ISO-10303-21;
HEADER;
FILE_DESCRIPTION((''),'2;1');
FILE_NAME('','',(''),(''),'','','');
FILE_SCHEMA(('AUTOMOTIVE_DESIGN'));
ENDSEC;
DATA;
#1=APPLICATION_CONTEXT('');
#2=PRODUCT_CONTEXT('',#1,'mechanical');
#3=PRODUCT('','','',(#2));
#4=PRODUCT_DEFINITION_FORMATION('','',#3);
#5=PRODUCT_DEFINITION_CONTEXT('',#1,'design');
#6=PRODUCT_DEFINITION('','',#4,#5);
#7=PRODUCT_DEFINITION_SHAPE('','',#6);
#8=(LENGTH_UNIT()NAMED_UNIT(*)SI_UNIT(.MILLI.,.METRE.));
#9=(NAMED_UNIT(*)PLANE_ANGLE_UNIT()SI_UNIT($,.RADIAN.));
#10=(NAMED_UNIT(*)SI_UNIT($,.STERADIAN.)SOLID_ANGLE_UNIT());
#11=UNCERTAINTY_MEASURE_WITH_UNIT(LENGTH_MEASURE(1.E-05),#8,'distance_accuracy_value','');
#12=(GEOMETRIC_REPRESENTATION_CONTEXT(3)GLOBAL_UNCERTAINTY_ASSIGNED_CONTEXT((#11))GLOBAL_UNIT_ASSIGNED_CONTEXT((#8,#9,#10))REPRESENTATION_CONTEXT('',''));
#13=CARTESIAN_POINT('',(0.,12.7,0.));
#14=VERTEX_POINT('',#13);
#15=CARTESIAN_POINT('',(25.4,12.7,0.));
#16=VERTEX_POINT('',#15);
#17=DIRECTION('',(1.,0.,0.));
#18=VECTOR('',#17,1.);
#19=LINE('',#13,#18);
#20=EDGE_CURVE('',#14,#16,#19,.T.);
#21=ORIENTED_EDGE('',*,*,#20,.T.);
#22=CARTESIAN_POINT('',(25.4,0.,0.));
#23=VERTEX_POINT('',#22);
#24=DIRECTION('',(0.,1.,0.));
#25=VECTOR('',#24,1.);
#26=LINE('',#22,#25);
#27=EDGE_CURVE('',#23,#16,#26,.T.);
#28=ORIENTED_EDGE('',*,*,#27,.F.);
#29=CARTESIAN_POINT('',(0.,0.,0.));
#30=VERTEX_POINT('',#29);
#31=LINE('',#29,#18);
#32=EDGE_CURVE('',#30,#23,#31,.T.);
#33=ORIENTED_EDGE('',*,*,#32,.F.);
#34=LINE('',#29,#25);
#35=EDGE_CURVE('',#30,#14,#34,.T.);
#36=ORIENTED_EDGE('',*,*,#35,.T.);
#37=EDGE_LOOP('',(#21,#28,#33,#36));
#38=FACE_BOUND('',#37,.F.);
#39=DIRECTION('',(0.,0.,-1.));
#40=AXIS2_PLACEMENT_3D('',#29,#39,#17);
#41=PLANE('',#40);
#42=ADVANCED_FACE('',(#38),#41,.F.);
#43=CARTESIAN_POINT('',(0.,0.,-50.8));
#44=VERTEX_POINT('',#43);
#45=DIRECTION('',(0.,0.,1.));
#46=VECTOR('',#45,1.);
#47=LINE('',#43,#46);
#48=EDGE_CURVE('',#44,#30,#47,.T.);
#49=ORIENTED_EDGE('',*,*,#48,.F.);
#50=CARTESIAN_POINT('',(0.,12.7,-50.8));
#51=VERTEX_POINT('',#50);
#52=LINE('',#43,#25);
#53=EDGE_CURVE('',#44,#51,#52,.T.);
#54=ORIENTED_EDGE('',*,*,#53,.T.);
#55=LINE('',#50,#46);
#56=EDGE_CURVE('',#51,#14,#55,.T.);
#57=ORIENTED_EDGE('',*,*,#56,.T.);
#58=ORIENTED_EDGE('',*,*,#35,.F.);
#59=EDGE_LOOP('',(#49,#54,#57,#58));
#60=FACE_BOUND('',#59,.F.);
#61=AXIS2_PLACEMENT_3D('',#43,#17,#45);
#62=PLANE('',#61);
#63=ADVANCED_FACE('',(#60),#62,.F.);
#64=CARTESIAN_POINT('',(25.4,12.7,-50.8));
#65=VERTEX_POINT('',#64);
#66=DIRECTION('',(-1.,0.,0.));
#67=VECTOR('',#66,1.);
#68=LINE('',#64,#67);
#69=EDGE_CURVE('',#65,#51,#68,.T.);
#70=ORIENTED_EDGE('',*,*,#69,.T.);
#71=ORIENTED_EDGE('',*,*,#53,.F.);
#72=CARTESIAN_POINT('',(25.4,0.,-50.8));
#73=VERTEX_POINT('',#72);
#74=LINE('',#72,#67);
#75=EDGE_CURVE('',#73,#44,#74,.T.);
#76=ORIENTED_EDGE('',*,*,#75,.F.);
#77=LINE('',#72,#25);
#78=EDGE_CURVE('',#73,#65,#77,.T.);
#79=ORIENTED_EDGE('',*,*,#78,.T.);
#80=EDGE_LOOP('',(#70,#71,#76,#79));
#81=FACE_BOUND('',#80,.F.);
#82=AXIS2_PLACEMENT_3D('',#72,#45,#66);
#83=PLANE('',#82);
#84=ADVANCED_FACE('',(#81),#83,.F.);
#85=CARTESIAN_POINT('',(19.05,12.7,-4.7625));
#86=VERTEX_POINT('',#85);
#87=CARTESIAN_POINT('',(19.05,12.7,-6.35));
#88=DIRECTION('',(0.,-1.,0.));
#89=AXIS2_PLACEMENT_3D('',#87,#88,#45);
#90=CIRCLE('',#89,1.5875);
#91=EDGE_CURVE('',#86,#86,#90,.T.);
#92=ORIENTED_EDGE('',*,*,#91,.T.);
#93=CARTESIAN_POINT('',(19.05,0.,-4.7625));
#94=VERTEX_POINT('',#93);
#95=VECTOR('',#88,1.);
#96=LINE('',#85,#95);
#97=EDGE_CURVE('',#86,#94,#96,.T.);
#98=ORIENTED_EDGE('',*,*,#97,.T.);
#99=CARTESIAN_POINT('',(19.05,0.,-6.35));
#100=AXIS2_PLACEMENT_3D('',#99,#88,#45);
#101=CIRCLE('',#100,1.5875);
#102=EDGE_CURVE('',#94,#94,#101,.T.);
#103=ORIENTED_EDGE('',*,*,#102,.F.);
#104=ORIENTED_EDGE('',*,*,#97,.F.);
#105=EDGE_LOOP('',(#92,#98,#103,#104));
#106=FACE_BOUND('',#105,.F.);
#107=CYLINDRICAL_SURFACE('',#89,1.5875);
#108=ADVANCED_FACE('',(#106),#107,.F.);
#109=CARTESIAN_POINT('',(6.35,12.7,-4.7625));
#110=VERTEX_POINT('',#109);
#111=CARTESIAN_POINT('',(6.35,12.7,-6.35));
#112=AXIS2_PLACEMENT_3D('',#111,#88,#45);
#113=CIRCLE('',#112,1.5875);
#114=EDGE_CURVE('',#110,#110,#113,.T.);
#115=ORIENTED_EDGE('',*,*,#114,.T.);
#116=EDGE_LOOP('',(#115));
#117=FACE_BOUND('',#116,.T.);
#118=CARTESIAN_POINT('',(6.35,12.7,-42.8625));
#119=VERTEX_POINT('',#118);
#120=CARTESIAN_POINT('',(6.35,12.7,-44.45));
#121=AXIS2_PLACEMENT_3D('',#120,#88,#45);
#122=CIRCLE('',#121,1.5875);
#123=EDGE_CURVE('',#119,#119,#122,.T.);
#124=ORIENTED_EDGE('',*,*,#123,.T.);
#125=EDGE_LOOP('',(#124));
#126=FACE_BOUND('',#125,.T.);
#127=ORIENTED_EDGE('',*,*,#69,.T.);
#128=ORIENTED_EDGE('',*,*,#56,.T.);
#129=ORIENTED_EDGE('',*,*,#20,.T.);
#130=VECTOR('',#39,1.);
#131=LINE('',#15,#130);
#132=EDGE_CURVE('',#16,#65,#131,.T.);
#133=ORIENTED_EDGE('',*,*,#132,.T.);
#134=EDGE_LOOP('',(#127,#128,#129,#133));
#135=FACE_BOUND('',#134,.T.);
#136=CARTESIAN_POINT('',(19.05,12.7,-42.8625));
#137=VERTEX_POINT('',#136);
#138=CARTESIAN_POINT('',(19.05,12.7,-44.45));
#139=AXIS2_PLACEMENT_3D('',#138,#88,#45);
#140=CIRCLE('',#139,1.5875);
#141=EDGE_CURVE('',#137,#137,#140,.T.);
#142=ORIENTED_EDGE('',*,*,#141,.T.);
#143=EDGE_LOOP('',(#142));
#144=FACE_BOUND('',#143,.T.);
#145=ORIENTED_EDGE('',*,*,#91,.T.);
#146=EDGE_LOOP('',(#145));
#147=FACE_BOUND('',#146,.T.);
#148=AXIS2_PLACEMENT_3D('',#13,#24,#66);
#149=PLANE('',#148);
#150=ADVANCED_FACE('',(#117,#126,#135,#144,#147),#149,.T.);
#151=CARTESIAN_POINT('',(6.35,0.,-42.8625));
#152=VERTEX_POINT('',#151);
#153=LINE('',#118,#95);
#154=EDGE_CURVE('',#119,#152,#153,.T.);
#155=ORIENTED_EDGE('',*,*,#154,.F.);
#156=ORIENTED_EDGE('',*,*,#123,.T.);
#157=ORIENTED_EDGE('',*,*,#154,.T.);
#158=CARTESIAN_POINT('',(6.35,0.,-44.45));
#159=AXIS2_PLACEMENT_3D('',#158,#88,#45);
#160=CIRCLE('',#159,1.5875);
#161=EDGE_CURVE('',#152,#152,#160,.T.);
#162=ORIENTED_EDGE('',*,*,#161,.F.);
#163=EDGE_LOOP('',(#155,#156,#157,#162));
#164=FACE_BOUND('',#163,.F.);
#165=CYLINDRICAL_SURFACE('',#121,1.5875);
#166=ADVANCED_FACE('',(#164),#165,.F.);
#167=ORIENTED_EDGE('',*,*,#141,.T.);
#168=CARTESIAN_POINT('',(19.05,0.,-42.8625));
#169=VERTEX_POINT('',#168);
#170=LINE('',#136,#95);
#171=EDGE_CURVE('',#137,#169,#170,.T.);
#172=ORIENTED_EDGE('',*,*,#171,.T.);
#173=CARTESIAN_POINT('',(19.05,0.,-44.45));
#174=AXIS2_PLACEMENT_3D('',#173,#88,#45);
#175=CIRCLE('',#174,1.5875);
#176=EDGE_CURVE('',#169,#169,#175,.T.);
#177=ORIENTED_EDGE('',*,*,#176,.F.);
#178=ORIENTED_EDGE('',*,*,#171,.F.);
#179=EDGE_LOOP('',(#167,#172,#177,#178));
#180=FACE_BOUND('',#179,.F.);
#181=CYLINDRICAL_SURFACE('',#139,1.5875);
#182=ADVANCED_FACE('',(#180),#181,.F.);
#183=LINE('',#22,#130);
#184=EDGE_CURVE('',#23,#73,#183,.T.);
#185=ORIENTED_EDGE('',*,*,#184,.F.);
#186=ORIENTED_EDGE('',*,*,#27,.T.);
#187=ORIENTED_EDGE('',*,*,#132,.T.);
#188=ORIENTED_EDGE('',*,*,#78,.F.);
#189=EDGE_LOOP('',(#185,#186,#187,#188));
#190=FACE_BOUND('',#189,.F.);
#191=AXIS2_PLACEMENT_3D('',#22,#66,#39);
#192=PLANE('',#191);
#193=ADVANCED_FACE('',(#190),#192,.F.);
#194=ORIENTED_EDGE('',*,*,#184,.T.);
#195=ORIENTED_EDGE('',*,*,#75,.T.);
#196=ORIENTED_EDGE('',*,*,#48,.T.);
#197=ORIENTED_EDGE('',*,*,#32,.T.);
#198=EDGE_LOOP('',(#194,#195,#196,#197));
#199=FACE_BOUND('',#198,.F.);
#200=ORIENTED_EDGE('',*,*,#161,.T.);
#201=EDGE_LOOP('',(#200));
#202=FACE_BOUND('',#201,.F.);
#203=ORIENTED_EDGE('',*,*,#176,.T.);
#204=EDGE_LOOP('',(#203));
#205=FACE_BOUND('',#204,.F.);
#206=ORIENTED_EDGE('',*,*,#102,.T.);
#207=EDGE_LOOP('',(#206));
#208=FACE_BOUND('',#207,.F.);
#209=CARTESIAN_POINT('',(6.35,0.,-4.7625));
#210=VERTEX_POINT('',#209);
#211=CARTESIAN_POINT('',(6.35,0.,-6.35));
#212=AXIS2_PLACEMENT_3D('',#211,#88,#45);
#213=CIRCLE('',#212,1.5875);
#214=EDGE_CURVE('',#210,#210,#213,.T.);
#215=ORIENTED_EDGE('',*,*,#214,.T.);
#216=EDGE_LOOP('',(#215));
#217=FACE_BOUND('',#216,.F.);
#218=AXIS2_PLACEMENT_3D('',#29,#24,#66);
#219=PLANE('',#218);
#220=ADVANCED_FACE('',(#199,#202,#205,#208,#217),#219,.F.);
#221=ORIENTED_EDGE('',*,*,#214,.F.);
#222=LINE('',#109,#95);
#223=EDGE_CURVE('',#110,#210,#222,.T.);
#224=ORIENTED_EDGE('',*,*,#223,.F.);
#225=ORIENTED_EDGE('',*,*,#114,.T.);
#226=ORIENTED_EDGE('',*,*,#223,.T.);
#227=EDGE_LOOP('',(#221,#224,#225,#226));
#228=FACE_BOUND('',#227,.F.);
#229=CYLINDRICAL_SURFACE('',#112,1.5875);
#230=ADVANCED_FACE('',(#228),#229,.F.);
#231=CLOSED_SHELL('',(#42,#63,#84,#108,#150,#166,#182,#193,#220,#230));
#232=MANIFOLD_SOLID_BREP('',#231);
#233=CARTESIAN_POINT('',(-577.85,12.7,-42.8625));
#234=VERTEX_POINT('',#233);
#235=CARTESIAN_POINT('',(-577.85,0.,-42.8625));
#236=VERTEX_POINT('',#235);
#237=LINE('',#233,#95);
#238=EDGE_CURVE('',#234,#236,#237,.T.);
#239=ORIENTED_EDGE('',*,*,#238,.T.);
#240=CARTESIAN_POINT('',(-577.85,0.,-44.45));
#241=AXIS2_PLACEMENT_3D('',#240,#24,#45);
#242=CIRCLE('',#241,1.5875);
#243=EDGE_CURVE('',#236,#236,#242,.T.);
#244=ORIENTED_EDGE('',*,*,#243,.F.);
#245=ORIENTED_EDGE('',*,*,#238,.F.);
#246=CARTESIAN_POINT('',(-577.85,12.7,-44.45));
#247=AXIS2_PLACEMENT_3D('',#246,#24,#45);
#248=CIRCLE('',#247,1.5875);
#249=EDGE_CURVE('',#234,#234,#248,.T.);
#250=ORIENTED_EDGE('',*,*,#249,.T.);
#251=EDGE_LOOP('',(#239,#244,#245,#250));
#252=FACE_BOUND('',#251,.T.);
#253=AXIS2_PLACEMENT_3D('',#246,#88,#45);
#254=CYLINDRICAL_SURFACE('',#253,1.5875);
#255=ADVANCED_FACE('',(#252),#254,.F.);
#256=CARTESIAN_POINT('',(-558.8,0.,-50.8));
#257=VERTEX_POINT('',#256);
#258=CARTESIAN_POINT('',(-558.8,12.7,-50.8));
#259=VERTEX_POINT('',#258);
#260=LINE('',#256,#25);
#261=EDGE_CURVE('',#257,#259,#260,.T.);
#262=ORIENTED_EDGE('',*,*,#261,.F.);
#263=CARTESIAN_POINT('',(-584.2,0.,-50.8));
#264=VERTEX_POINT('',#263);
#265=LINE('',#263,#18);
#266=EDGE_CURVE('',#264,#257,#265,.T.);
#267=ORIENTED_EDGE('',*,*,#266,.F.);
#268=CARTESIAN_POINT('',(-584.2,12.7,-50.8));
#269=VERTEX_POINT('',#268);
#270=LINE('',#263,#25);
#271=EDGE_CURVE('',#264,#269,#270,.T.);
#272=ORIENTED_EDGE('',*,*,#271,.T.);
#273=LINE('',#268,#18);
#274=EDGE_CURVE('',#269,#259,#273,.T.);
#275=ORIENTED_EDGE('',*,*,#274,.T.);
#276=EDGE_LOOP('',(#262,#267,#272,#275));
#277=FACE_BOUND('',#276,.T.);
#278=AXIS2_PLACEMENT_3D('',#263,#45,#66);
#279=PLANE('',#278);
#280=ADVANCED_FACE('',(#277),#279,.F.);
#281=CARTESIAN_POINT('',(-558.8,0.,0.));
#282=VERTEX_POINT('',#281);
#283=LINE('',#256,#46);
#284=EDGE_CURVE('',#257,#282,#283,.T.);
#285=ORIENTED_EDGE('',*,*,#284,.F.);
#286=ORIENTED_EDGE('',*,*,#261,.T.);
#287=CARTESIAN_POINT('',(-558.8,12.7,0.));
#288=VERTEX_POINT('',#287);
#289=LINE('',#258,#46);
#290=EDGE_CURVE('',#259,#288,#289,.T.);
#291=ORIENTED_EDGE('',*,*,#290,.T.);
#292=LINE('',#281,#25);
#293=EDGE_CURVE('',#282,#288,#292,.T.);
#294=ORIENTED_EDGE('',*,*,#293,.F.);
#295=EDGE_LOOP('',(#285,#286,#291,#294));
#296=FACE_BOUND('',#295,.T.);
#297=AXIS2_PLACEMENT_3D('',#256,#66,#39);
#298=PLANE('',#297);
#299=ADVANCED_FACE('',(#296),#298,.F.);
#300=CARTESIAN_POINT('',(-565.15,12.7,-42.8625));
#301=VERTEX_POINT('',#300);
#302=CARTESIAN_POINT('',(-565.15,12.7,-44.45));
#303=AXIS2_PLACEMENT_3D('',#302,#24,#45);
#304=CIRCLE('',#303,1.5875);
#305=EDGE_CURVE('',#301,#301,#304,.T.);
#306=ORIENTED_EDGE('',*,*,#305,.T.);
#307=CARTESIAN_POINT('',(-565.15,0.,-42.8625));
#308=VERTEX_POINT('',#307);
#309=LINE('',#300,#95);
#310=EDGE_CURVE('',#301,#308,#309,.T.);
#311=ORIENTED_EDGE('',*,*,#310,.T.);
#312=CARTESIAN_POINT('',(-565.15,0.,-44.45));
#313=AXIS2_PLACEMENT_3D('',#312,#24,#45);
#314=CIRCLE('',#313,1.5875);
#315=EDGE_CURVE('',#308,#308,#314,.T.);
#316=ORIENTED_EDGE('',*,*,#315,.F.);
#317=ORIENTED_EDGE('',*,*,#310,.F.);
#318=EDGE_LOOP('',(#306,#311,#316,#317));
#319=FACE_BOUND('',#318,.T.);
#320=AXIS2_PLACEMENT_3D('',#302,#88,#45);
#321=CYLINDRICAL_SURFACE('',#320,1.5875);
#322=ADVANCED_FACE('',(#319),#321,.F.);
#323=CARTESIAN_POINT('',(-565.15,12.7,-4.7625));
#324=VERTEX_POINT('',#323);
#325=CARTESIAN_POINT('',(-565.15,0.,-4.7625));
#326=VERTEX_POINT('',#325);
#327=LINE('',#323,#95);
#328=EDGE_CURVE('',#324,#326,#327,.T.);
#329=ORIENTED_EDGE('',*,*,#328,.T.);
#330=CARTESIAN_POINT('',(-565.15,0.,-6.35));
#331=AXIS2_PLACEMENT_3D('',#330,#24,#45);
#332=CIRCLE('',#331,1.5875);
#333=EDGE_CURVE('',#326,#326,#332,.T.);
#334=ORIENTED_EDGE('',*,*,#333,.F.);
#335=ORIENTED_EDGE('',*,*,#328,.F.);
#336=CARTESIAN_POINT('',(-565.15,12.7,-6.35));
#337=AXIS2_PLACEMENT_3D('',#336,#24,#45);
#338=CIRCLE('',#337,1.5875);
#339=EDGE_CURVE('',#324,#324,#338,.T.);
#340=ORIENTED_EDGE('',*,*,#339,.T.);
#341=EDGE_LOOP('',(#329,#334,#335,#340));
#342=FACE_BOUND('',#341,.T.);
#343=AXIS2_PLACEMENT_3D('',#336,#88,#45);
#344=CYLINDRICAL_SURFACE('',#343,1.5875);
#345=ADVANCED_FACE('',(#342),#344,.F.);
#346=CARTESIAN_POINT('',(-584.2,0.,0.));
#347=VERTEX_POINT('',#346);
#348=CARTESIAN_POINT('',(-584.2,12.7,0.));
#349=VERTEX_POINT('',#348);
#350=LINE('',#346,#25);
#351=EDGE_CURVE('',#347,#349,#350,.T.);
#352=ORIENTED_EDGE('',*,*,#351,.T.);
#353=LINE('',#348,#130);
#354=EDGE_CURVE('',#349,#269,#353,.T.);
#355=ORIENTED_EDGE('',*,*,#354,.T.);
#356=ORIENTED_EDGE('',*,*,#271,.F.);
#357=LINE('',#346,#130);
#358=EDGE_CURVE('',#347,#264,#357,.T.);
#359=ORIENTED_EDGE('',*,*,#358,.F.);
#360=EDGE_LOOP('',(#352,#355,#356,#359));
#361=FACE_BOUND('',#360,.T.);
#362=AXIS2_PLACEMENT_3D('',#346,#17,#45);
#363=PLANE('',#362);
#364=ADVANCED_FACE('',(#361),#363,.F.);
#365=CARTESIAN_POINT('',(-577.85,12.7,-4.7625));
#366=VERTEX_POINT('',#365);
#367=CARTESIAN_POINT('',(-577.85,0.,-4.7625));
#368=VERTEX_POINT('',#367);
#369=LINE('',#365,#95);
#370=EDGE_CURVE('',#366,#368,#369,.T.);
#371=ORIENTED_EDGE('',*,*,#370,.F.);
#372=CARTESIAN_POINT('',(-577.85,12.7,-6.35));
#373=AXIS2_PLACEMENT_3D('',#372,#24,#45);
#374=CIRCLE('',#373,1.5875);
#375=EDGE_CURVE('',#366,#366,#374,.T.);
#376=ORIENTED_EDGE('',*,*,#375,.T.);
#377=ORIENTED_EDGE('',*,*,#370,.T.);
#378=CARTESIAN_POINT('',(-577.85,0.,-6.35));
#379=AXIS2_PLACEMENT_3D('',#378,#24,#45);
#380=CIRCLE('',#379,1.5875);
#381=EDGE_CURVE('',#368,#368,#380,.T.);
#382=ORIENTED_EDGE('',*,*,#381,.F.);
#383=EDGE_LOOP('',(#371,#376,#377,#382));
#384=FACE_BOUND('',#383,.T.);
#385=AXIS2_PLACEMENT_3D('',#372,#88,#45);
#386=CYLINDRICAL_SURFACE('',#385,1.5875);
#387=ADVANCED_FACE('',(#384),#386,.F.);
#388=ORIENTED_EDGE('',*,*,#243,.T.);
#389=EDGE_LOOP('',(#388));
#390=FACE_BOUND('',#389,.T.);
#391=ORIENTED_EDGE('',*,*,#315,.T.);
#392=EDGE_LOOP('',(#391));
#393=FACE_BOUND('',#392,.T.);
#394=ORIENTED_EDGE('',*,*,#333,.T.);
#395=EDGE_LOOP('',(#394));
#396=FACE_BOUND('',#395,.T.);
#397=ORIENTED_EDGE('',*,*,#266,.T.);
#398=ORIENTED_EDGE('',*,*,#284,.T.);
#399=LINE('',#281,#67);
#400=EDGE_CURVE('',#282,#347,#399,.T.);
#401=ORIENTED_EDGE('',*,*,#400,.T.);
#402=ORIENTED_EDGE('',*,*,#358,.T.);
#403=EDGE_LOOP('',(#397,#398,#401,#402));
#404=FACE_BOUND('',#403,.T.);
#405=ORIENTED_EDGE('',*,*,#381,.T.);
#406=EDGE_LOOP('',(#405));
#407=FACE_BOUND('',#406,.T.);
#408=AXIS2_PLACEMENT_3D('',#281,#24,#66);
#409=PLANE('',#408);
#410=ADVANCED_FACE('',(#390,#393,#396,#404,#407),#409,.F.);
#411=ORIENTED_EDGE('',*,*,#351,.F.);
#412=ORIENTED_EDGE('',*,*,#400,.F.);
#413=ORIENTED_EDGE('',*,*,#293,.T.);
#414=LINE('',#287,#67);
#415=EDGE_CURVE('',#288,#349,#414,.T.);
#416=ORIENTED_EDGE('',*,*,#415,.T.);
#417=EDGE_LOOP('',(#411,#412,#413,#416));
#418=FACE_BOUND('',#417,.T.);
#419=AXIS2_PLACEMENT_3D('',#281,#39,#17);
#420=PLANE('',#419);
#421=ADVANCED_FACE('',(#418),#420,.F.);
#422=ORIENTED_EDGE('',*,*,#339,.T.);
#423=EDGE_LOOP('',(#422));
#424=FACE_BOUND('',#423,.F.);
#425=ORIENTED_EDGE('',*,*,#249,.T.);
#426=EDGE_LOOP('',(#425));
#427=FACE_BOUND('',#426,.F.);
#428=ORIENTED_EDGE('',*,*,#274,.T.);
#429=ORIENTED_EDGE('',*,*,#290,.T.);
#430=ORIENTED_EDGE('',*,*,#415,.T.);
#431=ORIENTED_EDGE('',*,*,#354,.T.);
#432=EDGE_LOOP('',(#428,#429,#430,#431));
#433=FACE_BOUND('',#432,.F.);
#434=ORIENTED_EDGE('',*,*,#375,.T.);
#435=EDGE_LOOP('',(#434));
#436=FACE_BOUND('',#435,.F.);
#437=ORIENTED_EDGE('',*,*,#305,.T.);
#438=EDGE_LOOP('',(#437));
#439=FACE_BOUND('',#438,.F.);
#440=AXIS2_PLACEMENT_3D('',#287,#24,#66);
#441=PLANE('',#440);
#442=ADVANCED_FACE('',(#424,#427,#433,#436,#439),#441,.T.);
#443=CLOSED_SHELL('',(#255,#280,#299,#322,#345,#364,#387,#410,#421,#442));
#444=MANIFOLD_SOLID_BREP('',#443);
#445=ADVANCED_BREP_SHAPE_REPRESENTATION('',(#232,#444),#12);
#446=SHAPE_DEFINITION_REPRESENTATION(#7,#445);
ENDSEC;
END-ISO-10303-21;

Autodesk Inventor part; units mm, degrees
ref_plane "YZ Plane" through (0, 0, 0) normal (1, 0, 0) x (0, 1, 0)
ref_plane "XZ Plane" through (0, 0, 0) normal (0, 1, 0) x (-1, 0, 0)
sketch "Sketch2" plane through (0, 0, 0) normal (0, 1, 0) x (-1, 0, 0)
  line L0 (0, 0) -> (-25.4, 0)
  line L1 (-25.4, 0) -> (-25.4, -50.8)
  line L2 (-25.4, -50.8) -> (0, -50.8)
  line L3 (0, -50.8) -> (0, 0)
  dimension "d0" = 50.8
  dimension "d4" = 25.4
extrude "Extrusion1" add sketch "Sketch2" along normal blind 12.7
sketch "Sketch4" plane through (0, 12.7, 0) normal (0, 1, 0) x (1, 0, 0)
  line L0 (6.35, 6.35) -> (19.05, 6.35) construction
  line L1 (19.05, 6.35) -> (19.05, 44.45) construction
  line L2 (19.05, 44.45) -> (6.35, 44.45) construction
  line L3 (6.35, 44.45) -> (6.35, 6.35) construction
  line L4 (0, 50.8) -> (0, 0) construction
  line L5 (25.4, 50.8) -> (0, 50.8) construction
  line L6 (0, 0) -> (25.4, 0) construction
  line L7 (25.4, 0) -> (25.4, 50.8) construction
  dimension "d5" = 6.35
  dimension "d6" = 6.35
  dimension "d7" = 6.35
  dimension "d8" = 6.35
hole "Hole1" at (6.35, 12.7, -6.35) at (19.05, 12.7, -6.35) at (19.05, 12.7, -44.45) at (6.35, 12.7, -44.45) direction (0, -1, 0) diameter 3.175 end through all
ref_plane "Work Plane1" through (-279.4, 0, -50.8) normal (-1, 0, 0) x (0, 0, 1)
mirror "Mirror1" about plane through (-279.4, 0, -50.8) normal (-1, 0, 0)
properties part number "Intake - Lexan Raiser"
